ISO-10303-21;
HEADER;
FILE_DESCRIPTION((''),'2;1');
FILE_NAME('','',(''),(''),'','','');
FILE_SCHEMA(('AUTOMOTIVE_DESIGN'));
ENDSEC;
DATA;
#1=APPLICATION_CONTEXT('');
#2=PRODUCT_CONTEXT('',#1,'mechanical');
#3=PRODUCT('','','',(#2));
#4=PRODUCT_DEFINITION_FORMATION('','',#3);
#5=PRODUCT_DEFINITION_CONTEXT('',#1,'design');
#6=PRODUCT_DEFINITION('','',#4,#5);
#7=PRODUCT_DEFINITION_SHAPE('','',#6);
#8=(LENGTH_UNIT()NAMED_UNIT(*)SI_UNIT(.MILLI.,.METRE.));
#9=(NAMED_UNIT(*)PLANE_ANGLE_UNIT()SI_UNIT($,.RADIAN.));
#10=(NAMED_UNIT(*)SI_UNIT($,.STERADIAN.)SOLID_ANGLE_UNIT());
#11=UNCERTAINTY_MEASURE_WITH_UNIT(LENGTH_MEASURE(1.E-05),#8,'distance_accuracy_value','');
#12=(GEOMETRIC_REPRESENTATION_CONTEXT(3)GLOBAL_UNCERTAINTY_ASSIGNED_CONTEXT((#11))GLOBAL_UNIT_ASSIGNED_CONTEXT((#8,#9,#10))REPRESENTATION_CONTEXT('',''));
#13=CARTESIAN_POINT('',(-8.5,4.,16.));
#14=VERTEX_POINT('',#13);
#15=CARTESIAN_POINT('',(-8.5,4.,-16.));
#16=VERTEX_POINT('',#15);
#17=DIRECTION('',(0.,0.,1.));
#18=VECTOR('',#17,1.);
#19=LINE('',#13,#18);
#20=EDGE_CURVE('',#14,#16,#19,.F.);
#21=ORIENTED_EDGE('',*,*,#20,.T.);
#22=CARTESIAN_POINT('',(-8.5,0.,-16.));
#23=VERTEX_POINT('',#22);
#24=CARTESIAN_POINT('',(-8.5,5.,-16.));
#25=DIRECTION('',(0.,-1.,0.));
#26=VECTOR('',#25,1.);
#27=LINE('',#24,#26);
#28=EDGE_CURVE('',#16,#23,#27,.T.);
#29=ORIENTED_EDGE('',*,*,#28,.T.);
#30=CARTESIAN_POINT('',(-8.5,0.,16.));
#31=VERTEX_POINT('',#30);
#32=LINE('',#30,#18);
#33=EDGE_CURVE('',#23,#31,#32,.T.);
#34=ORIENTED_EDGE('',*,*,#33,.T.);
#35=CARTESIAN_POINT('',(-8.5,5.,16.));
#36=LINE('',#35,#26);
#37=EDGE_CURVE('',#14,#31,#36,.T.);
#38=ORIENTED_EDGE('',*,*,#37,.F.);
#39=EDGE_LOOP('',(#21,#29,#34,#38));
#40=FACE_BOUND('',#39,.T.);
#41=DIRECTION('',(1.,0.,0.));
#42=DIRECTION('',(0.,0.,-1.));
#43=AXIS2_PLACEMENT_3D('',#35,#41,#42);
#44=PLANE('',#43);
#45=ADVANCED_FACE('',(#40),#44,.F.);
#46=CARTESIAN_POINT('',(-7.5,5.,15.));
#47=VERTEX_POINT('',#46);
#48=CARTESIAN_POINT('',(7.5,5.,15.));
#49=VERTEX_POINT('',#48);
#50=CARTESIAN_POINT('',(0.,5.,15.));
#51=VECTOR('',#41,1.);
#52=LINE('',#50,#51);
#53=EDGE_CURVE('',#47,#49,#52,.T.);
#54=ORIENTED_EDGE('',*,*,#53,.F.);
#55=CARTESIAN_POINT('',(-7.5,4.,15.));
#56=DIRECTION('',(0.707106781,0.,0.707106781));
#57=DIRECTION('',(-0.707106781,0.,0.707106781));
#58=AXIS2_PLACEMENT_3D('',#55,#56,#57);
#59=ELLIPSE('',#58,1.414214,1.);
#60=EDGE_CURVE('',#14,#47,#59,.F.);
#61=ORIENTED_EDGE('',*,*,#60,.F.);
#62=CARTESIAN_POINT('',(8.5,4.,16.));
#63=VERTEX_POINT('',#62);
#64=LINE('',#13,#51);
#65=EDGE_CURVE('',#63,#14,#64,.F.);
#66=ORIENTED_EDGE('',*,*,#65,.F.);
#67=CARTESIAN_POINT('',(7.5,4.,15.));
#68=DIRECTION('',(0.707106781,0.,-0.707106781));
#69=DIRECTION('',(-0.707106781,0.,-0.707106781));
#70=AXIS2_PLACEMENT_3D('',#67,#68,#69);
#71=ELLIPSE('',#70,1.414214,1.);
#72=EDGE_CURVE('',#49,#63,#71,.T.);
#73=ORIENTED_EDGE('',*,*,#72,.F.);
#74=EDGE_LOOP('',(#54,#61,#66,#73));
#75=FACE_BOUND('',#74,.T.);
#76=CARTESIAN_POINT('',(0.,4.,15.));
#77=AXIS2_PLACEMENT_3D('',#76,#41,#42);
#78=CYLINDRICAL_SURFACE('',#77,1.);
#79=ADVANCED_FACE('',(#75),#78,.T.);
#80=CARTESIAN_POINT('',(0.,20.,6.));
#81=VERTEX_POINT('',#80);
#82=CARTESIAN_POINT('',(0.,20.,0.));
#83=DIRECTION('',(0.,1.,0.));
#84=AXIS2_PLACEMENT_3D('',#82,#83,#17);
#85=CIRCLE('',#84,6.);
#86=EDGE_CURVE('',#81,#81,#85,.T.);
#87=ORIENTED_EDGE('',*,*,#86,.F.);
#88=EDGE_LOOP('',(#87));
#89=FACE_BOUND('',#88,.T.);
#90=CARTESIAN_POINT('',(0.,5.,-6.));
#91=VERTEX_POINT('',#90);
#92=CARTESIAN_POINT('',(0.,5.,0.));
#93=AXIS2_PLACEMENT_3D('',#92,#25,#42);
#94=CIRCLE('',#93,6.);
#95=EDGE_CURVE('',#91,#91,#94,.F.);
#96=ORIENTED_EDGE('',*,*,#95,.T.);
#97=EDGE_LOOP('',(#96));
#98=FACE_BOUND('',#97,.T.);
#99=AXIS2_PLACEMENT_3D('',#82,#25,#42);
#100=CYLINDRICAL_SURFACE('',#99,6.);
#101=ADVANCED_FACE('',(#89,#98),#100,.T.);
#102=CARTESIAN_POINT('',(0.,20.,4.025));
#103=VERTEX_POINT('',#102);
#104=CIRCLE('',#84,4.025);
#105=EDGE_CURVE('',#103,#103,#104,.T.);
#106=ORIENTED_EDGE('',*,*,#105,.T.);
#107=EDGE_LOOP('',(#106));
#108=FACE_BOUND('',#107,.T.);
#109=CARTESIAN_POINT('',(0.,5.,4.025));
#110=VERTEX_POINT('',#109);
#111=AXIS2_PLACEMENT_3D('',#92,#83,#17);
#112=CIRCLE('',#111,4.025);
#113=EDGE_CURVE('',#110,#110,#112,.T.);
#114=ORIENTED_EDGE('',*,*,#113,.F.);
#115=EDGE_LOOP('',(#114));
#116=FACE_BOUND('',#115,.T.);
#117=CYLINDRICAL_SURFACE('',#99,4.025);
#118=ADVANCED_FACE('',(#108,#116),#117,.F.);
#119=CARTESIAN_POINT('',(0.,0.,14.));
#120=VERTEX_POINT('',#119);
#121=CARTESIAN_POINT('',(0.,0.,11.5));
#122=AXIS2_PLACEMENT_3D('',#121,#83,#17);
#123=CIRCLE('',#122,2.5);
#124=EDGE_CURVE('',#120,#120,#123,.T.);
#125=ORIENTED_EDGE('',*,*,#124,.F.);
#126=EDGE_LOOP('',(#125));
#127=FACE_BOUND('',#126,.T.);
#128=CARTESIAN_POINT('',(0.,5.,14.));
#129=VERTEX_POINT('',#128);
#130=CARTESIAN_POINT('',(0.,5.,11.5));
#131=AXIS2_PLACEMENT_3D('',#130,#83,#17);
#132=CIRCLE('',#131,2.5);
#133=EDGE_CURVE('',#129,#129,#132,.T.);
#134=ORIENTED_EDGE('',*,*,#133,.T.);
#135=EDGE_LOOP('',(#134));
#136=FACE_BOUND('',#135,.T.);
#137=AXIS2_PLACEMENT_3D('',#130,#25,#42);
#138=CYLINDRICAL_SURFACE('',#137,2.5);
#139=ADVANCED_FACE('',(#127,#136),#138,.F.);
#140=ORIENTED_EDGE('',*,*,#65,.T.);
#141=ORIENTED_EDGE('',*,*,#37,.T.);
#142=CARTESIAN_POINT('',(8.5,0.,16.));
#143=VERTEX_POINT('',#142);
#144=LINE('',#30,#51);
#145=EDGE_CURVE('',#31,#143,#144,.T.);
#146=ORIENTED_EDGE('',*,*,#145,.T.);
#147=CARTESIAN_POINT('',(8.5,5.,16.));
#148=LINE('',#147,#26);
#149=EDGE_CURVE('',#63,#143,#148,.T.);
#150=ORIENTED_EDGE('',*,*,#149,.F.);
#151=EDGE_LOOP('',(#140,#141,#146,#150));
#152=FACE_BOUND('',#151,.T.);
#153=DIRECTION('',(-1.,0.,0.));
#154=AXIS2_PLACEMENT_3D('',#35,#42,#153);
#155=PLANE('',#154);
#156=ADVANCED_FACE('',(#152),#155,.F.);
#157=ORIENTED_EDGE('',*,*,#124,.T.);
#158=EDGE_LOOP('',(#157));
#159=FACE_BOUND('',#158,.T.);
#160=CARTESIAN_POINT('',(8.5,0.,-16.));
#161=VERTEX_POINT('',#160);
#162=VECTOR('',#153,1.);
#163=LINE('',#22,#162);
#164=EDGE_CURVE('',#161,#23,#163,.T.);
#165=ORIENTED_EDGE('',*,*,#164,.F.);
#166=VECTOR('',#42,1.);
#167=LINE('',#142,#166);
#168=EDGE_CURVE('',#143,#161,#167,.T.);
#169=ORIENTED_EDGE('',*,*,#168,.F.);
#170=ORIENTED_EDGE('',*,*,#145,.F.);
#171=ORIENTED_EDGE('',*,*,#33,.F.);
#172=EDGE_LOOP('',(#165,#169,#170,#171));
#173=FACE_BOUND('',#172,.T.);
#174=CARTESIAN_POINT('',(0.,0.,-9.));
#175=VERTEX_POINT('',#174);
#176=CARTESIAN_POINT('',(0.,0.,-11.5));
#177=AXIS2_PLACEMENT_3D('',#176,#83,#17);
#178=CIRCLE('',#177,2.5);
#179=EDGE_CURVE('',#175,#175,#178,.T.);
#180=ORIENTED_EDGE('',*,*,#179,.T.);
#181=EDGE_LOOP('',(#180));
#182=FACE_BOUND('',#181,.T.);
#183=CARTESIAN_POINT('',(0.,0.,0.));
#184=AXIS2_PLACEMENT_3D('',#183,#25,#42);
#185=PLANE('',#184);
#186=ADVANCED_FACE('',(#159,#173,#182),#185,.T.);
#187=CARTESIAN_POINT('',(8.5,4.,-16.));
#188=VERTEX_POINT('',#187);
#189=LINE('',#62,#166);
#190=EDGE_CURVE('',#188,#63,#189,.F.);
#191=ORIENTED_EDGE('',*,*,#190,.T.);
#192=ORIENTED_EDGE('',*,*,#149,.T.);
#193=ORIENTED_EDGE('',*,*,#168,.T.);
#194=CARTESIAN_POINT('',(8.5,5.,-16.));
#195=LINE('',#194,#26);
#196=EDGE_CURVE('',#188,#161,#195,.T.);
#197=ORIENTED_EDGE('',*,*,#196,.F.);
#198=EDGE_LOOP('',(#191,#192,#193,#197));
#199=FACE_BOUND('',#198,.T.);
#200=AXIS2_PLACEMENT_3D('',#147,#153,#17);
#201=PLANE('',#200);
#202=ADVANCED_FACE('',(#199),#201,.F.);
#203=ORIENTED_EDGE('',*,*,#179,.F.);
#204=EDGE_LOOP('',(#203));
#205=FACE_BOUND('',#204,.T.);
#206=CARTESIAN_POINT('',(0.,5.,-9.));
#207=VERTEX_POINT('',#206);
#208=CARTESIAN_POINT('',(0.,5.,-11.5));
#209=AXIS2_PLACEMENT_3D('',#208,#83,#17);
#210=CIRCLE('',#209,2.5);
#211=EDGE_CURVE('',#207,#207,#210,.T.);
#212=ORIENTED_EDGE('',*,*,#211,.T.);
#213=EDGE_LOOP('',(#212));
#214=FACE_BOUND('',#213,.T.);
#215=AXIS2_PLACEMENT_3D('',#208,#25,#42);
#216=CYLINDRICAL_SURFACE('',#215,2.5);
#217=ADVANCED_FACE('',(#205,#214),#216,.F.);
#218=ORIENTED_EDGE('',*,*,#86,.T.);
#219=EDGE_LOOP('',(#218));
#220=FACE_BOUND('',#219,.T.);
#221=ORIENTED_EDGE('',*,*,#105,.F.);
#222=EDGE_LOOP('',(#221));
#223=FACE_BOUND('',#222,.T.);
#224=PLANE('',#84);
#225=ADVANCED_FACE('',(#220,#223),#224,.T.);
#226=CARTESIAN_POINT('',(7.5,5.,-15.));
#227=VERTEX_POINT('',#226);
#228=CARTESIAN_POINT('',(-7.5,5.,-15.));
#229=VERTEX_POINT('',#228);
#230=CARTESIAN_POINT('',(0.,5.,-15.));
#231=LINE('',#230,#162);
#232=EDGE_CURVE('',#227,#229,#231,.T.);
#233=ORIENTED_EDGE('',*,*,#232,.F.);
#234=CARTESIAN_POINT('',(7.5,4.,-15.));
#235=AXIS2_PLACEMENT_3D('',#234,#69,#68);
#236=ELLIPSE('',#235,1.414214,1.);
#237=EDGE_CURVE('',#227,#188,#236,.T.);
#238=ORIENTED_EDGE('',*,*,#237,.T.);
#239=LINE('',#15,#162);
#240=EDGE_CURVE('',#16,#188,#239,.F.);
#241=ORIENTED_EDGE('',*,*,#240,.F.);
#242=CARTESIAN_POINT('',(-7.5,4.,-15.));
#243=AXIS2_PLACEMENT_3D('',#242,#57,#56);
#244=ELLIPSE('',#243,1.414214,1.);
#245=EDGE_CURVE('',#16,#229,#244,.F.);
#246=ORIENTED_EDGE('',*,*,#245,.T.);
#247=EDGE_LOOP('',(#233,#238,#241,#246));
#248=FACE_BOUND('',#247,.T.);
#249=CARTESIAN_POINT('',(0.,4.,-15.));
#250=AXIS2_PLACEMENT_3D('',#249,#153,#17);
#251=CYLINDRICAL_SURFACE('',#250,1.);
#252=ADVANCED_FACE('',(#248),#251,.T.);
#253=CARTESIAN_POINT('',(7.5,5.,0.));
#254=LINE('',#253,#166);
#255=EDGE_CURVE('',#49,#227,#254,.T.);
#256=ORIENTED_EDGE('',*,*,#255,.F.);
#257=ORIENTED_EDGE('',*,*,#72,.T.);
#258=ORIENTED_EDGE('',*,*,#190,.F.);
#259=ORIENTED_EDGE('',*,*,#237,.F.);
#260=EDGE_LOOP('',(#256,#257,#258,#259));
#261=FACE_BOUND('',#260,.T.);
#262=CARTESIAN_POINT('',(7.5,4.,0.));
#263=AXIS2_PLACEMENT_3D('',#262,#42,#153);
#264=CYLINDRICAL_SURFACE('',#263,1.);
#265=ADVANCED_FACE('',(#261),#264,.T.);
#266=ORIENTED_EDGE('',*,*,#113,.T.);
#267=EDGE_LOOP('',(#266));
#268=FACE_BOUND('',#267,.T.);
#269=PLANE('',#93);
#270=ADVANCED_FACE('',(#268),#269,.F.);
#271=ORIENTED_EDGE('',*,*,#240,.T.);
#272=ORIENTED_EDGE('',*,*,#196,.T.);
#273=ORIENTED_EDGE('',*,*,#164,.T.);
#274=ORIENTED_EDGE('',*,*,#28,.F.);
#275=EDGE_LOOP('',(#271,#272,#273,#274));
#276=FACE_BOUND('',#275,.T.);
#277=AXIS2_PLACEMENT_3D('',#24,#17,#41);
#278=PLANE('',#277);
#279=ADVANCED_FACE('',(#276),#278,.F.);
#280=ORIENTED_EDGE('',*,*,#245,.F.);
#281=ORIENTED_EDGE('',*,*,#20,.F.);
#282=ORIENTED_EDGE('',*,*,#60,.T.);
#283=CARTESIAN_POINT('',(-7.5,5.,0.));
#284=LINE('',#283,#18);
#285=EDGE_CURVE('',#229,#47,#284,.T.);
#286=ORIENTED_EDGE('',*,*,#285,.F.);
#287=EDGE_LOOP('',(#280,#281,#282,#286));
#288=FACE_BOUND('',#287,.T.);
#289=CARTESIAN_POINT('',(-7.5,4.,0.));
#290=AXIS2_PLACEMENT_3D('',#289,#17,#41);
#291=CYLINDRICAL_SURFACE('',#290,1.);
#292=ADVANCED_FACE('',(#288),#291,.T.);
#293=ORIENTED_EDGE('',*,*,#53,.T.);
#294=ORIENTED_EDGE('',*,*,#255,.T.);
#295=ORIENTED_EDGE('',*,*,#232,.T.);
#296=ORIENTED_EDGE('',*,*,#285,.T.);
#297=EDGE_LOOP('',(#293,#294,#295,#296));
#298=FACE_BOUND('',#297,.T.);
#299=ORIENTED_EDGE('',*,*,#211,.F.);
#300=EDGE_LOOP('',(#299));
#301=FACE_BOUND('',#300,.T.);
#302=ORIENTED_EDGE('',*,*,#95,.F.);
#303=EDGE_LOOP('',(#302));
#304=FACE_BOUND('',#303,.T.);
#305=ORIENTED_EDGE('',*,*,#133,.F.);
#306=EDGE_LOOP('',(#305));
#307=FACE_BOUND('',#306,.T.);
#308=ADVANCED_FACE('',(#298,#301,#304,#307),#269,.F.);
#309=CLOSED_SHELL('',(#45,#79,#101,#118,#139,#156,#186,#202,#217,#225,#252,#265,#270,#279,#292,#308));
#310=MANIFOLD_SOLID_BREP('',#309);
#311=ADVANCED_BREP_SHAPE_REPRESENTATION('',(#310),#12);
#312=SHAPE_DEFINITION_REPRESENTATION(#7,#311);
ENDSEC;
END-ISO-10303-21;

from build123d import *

# Parameters (mm, degrees)
SKETCH1_W           = 17
SKETCH1_H           = 32
SKETCH1_R           = 2.5
BOSS_EXTRUDE1_DEPTH = 5
SKETCH2_R           = 6
SKETCH2_R_2         = 4.025
BOSS_EXTRUDE2_DEPTH = 15
FILLET1_R           = 1


with BuildPart() as part:
    # Sketch1 → Boss-Extrude1 (new body)
    with BuildSketch(Plane(origin=(0, 0, 0), x_dir=(1, 0, 0), z_dir=(0, 1, 0))):
        Rectangle(SKETCH1_W, SKETCH1_H)
        with Locations(Location((0, 11.5, 0), (0, 0, 270))):
            Circle(SKETCH1_R, mode=Mode.SUBTRACT)
        with Locations(Location((0, -11.5, 0), (0, 0, 270))):
            Circle(SKETCH1_R, mode=Mode.SUBTRACT)
    extrude(amount=BOSS_EXTRUDE1_DEPTH)

    # Sketch2 → Boss-Extrude2 (add)
    with BuildSketch(Plane(origin=(0, 5, 0), x_dir=(1, 0, 0), z_dir=(0, 1, 0))):
        with Locations(Location((0, 0, 0), (0, 0, 90))):
            Circle(SKETCH2_R)
        with Locations(Location((0, 0, 0), (0, 0, 270))):
            Circle(SKETCH2_R_2, mode=Mode.SUBTRACT)
    extrude(amount=BOSS_EXTRUDE2_DEPTH)

    # Fillet1
    fillet1_edges = [part.edges().sort_by_distance(p)[0] for p in [
        (-8.5, 5, 0),
        (0, 5, 16),
        (8.5, 5, 0),
        (0, 5, -16),
    ]]
    fillet(fillet1_edges, radius=FILLET1_R)


solid = part.part
